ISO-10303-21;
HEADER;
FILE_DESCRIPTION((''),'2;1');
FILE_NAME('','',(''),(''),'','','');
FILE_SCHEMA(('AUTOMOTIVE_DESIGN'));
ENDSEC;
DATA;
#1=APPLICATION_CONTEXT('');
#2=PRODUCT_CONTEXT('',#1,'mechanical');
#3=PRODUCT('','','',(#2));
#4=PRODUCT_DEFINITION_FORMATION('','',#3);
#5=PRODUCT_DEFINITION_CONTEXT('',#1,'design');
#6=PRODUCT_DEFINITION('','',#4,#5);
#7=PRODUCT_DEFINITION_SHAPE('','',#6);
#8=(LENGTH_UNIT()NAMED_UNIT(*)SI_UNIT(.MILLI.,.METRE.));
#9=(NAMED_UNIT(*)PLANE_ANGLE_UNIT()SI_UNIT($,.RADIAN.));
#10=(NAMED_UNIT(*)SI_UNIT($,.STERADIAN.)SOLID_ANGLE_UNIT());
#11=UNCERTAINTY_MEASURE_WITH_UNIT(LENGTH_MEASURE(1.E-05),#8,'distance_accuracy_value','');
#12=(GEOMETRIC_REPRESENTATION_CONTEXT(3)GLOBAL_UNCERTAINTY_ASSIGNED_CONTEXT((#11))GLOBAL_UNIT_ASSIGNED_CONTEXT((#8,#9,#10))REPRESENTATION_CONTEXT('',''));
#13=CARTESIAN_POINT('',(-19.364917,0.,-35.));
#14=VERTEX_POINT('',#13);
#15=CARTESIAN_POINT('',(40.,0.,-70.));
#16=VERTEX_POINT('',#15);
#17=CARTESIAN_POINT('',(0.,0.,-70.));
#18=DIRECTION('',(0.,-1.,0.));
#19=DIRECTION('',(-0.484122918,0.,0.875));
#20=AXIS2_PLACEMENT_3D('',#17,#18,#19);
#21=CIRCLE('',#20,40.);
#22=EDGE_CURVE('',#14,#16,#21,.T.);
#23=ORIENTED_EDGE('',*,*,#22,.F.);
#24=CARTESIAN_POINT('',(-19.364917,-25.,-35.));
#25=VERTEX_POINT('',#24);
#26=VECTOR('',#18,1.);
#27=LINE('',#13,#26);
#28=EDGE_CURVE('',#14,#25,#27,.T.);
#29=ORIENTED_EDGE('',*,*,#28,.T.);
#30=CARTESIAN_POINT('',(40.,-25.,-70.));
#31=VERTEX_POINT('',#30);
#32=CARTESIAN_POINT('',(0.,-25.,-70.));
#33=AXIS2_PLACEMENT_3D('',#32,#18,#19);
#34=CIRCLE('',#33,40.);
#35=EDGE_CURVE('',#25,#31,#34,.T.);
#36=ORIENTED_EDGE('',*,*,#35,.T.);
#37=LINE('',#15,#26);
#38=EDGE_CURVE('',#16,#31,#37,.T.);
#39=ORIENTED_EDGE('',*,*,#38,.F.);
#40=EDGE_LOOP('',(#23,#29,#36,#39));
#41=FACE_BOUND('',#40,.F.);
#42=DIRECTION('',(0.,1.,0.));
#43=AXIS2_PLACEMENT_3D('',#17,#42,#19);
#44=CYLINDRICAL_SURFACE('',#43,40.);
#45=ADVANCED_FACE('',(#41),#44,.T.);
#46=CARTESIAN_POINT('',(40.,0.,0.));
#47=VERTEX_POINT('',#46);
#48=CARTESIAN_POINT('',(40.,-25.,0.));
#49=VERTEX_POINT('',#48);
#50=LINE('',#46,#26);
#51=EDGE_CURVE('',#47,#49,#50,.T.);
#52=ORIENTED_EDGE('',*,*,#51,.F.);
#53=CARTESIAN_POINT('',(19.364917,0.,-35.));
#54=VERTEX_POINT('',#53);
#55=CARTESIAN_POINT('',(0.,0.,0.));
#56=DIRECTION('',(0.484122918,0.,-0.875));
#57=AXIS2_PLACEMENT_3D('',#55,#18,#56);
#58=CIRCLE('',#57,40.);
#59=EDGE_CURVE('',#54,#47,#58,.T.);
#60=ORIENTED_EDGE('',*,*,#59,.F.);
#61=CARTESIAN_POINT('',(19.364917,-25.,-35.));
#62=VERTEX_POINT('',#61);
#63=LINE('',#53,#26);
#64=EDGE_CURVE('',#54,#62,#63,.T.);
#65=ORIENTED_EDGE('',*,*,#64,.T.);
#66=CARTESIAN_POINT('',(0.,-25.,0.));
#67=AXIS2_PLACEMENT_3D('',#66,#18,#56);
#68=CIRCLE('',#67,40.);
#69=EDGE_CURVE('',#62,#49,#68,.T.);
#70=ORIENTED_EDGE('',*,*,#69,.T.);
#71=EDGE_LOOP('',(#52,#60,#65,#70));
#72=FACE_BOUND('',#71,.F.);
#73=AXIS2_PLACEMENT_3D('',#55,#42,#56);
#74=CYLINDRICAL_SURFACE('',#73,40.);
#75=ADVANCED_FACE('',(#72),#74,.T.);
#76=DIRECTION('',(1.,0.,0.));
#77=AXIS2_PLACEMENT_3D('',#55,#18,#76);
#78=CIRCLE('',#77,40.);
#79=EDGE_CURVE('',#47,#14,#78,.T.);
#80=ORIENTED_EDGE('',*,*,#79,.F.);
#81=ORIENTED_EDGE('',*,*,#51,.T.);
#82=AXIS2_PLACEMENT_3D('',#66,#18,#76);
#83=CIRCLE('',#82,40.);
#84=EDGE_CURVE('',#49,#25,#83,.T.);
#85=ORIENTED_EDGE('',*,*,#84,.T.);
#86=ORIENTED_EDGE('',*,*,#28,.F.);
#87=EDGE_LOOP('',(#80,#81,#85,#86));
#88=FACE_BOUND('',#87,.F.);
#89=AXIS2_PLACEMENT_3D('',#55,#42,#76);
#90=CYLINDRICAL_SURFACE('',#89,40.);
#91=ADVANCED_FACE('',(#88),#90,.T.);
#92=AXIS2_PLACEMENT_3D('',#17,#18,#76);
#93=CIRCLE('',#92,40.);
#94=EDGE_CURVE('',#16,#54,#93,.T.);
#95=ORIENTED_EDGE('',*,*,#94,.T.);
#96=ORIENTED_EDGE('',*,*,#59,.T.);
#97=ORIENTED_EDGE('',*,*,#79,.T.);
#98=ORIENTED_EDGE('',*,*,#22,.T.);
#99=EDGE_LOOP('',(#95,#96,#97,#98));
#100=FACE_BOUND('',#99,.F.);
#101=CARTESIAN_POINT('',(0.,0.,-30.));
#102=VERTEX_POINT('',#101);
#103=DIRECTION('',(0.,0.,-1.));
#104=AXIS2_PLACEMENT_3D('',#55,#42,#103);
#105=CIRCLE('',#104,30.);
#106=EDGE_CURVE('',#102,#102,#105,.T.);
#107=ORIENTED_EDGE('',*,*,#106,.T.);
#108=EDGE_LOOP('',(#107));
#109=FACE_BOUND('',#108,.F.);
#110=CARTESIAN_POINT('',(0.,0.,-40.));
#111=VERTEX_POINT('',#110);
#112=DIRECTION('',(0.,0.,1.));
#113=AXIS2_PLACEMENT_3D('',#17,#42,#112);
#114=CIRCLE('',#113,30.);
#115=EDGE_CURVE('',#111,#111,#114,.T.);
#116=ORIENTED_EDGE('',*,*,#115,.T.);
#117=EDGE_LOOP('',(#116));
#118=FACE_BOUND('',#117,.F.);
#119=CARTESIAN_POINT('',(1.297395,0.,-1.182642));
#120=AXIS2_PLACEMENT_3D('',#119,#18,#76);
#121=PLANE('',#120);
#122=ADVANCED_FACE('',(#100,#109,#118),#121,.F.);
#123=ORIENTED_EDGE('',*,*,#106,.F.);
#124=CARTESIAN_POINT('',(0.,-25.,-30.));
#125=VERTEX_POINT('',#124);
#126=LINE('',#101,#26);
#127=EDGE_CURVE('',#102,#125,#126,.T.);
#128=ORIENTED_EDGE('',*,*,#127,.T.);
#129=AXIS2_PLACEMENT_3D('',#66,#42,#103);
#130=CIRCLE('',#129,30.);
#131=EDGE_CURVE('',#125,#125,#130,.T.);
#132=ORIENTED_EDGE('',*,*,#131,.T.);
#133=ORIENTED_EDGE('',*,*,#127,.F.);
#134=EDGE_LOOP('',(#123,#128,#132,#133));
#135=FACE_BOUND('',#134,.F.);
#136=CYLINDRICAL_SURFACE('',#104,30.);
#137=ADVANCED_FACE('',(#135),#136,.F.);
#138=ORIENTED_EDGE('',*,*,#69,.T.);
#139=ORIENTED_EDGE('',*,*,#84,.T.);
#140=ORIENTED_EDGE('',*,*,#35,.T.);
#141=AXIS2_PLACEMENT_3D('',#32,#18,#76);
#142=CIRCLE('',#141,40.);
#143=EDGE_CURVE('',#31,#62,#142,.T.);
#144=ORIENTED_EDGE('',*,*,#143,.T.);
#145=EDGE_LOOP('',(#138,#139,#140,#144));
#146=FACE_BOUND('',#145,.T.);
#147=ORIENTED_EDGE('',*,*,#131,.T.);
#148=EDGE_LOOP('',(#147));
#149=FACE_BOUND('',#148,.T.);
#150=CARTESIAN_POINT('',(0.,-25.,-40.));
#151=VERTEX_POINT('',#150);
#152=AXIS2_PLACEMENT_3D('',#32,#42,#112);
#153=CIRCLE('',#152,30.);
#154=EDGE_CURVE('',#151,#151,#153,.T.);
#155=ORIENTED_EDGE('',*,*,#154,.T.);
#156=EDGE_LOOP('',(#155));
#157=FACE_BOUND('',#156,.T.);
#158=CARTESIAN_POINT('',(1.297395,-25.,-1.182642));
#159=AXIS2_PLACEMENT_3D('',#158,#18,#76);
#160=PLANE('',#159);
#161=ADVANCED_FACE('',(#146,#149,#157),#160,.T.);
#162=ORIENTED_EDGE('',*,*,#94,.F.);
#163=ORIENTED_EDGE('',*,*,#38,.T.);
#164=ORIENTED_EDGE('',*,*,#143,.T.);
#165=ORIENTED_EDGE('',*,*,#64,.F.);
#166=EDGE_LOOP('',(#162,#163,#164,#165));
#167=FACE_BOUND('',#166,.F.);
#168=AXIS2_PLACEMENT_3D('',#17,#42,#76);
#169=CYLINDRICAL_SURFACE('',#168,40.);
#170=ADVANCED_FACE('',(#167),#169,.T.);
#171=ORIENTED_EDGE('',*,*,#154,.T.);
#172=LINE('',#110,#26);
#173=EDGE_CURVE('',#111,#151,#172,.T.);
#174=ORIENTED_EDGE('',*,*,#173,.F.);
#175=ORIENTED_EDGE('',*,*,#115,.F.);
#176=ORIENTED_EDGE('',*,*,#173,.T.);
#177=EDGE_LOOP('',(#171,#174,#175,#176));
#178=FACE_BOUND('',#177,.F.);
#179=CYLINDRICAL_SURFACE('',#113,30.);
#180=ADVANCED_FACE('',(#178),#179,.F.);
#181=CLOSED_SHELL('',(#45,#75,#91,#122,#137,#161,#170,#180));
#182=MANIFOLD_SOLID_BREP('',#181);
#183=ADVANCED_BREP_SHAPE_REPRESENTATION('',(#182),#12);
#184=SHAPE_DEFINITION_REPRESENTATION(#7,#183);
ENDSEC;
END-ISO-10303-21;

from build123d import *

# Parameters (mm, degrees)
F1_DEPTH = 25


with BuildPart() as f1:
    # F0 (on Front) → F1 (new body)
    with BuildSketch(Plane.XZ):
        with BuildLine():
            ThreePointArc((-19.364916731, -35), (-10, -31.2701665379), (0, -30))
            ThreePointArc((0, -30), (10, -31.2701665379), (19.364916731, -35))
            ThreePointArc((19.364916731, -35), (34.4571956871, -20.3150600634), (40, 0))
            ThreePointArc((40, 0), (-20.3150600634, 34.4571956871), (-19.364916731, -35))
        make_face()
        with BuildLine():
            ThreePointArc((0, -30), (-21.2132034356, 21.2132034356), (30, 0))
            ThreePointArc((30, 0), (21.2132034356, -21.2132034356), (0, -30))
        make_face(mode=Mode.SUBTRACT)
        with BuildLine():
            ThreePointArc((40, -70), (34.4571956871, -49.6849399366), (19.364916731, -35))
            ThreePointArc((19.364916731, -35), (10, -38.7298334621), (0, -40))
            ThreePointArc((0, -40), (-10, -38.7298334621), (-19.364916731, -35))
            ThreePointArc((-19.364916731, -35), (-20.3150600634, -104.4571956871), (40, -70))
        make_face()
        with BuildLine():
            ThreePointArc((30, -70), (-21.2132034356, -91.2132034356), (0, -40))
            ThreePointArc((0, -40), (21.2132034356, -48.7867965644), (30, -70))
        make_face(mode=Mode.SUBTRACT)
        with BuildLine():
            ThreePointArc((19.364916731, -35), (10, -31.2701665379), (0, -30))
            ThreePointArc((0, -30), (-10, -31.2701665379), (-19.364916731, -35))
            ThreePointArc((-19.364916731, -35), (-10, -38.7298334621), (0, -40))
            ThreePointArc((0, -40), (10, -38.7298334621), (19.364916731, -35))
        make_face()
    extrude(amount=F1_DEPTH)


solid = f1.part
